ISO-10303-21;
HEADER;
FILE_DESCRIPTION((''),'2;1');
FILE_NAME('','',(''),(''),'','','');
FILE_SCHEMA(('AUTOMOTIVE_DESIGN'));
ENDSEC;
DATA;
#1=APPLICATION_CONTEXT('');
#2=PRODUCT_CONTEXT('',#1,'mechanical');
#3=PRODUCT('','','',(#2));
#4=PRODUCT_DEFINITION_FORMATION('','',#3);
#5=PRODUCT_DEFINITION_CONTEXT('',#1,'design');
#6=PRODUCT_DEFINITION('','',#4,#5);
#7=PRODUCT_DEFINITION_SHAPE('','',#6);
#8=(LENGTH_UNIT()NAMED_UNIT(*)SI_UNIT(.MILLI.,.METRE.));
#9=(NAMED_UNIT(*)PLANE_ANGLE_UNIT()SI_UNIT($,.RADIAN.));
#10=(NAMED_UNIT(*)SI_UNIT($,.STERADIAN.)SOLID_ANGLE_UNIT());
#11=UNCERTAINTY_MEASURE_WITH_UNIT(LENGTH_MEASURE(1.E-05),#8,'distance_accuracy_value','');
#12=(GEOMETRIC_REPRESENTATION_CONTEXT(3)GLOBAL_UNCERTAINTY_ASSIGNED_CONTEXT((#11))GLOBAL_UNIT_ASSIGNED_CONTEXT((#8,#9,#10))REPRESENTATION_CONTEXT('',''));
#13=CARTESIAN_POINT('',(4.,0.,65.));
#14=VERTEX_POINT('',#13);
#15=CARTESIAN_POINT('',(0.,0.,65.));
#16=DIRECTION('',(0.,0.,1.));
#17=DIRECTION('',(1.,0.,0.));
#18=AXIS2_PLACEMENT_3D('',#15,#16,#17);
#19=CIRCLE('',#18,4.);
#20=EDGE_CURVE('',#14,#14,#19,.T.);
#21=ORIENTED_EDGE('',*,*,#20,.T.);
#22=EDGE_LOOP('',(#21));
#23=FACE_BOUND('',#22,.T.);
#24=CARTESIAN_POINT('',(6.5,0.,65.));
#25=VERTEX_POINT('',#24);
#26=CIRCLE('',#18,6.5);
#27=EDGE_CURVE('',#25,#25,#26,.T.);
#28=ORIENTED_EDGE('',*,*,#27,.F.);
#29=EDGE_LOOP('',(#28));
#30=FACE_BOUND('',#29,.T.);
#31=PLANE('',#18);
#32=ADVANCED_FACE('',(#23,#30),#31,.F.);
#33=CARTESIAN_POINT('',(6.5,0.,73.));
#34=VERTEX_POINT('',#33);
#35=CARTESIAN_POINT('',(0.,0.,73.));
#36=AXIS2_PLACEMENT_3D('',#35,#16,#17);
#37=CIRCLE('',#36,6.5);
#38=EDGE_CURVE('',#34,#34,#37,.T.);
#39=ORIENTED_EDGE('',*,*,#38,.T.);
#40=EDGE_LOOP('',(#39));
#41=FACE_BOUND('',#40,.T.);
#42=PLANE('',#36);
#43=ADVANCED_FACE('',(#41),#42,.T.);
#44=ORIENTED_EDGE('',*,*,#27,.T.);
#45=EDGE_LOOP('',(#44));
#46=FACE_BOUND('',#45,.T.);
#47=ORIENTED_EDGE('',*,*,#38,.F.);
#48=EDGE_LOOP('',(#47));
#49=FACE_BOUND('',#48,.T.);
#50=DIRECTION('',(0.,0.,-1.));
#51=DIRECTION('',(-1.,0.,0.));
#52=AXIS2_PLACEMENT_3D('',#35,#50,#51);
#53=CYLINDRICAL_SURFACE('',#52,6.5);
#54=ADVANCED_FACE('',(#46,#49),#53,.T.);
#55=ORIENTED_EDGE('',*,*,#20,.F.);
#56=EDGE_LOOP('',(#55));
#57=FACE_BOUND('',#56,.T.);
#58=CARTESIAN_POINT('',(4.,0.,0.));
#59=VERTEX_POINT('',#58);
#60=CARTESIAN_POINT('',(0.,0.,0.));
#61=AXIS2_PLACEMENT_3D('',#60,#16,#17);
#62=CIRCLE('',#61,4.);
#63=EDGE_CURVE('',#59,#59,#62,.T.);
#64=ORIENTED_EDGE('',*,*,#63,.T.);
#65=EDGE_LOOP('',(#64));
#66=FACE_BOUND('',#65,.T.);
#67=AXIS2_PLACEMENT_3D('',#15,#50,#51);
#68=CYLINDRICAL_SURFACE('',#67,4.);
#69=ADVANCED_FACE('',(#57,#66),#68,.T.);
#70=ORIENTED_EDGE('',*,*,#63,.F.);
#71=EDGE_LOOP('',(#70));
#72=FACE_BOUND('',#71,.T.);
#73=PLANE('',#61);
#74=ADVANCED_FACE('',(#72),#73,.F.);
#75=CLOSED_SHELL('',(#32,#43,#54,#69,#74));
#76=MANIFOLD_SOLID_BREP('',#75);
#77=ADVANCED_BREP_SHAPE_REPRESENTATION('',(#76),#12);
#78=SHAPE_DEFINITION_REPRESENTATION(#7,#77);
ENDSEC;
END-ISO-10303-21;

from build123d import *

# Parameters (mm, degrees)
SKETCH_1_R                      = 4
SHANK_SIMPLIFIED_DEPTH          = 65
SKETCH_2_R                      = 6.5
PURCHASED_HEAD_SIMPLIFIED_DEPTH = 8


with BuildPart() as part:
    # 草图1 → Shank_simplified (new body)
    with BuildSketch(Plane.XY):
        Circle(SKETCH_1_R)
    extrude(amount=SHANK_SIMPLIFIED_DEPTH)

    # 草图2 → Purchased_head_simplified (add)
    with BuildSketch(Plane.XY.offset(65)):
        Circle(SKETCH_2_R)
    extrude(amount=PURCHASED_HEAD_SIMPLIFIED_DEPTH)


solid = part.part
